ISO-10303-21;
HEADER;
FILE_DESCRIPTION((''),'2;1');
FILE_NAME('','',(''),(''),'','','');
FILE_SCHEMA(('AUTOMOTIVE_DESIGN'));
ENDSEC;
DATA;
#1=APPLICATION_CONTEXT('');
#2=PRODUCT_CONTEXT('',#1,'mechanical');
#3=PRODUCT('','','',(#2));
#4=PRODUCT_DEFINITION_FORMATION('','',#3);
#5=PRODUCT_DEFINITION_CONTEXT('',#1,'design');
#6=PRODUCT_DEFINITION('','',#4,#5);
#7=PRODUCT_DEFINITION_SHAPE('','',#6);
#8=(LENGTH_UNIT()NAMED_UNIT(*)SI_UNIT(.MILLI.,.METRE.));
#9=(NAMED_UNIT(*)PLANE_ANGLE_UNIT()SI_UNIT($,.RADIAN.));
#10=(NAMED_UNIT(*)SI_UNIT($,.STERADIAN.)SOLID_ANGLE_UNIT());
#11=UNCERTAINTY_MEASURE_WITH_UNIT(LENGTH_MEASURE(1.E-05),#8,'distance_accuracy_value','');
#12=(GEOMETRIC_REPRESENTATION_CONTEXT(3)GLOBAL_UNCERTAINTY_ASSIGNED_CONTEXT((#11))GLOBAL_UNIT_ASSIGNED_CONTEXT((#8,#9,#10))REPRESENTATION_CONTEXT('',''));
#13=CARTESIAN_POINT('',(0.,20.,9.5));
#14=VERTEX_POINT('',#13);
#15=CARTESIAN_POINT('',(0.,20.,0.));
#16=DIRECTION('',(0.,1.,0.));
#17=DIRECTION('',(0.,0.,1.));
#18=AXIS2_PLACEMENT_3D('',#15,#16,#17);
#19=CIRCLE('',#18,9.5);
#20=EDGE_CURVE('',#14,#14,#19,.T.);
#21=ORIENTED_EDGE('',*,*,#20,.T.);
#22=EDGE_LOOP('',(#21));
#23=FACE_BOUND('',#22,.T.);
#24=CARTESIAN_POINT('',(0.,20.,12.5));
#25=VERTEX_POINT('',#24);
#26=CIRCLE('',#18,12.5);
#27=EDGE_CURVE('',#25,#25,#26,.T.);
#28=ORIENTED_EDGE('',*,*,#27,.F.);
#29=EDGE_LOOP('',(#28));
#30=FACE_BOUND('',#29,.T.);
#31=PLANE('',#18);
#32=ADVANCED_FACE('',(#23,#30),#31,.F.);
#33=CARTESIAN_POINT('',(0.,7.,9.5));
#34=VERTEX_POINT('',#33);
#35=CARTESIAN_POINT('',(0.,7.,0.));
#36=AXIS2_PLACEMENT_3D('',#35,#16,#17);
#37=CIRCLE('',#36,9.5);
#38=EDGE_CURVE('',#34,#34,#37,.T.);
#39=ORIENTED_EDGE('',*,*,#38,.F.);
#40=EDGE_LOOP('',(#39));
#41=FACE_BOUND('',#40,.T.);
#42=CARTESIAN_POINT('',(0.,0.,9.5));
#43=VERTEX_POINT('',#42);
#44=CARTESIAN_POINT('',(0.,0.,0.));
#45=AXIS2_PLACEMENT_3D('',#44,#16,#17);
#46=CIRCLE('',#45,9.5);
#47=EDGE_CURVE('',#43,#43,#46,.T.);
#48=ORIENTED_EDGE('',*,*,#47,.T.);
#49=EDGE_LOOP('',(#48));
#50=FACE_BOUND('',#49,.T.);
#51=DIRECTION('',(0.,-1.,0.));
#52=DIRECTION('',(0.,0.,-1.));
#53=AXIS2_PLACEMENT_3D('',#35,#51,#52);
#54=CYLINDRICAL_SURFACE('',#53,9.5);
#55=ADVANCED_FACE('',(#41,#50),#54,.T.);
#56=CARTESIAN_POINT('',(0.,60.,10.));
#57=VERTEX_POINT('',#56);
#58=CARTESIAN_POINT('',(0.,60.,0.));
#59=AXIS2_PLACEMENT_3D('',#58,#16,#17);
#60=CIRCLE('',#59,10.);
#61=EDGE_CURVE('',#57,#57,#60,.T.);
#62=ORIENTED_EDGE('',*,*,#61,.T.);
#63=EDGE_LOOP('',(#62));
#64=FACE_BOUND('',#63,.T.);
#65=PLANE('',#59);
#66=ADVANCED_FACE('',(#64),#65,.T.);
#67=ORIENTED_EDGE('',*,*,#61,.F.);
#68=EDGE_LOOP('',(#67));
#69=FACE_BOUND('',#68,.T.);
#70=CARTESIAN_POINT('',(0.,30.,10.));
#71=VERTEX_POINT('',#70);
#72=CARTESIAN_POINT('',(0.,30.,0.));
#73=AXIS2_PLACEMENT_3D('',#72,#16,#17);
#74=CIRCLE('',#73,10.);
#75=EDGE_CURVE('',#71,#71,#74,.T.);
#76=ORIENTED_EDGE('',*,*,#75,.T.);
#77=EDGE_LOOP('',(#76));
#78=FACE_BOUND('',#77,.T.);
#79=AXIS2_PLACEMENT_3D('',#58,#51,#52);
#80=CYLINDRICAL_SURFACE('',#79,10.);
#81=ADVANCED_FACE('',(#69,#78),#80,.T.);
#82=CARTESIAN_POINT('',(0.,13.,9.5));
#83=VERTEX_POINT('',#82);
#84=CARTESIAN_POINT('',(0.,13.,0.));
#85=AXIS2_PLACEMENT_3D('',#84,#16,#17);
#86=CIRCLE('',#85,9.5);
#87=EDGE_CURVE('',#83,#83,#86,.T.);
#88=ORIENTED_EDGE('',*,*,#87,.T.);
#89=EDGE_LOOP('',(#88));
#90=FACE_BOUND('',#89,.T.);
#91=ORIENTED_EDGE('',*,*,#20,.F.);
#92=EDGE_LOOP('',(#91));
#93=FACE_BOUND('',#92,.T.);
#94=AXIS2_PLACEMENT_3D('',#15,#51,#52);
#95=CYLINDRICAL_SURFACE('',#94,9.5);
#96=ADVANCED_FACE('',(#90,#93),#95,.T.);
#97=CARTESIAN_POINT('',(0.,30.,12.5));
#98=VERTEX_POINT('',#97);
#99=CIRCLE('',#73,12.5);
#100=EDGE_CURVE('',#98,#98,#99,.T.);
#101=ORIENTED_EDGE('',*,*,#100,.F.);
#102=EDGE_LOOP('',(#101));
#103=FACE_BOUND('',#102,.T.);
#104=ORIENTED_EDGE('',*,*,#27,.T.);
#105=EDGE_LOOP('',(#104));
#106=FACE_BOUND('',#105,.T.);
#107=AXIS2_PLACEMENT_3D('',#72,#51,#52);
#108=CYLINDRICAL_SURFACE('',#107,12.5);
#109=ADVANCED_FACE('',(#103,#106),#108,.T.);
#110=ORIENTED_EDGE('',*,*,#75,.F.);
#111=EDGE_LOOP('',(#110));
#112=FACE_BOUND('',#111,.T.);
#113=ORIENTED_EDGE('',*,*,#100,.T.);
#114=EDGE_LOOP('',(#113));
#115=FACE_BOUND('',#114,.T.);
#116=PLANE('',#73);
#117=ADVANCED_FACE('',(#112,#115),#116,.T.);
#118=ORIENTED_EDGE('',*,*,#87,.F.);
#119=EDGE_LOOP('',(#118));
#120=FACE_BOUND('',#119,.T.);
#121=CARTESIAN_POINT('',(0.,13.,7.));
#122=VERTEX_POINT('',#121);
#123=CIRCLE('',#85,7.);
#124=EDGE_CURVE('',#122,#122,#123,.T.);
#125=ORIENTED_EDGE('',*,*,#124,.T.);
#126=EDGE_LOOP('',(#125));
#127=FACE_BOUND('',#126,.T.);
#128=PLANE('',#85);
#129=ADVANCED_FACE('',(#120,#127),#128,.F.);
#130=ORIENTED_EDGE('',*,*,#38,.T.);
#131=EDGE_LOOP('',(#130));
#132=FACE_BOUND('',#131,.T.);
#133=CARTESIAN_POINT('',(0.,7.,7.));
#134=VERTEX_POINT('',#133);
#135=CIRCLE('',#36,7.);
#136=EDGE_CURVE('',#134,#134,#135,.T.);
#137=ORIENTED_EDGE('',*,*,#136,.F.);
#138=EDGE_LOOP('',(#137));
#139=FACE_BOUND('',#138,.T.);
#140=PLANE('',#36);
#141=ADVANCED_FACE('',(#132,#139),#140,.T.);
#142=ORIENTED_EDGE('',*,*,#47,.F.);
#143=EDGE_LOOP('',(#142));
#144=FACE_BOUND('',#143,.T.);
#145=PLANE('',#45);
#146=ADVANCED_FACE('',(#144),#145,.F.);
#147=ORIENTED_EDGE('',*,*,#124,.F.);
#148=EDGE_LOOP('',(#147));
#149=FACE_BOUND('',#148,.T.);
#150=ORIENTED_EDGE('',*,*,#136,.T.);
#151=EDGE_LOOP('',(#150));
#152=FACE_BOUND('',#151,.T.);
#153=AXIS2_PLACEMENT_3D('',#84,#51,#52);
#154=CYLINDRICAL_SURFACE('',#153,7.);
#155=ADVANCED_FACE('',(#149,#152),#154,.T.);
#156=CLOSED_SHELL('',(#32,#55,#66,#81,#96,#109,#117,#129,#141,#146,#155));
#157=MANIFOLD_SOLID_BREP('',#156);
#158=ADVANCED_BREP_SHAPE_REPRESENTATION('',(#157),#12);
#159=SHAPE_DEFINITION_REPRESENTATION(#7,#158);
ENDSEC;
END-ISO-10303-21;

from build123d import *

# Parameters (mm, degrees)
SKETCH_1_R      = 9.5
EXTRUDE_1_DEPTH = 7
EXTRUDE_START   = 7
SKETCH_2_R      = 7
EXTRUDE_2_DEPTH = 6
EXTRUDE_START_2 = 13
SKETCH_3_R      = 9.5
EXTRUDE_3_DEPTH = 7
EXTRUDE_START_3 = 20
SKETCH_4_R      = 12.5
EXTRUDE_4_DEPTH = 10
EXTRUDE_START_4 = 30
SKETCH_5_R      = 10
EXTRUDE_5_DEPTH = 30


with BuildPart() as part:
    # 草图1 → 凸台-拉伸1 (new body)
    with BuildSketch(Plane(origin=(0, 0, 0), x_dir=(1, 0, 0), z_dir=(0, 1, 0))):
        with Locations(Location((0, 0, 0), (0, 0, 270))):
            Circle(SKETCH_1_R)
    extrude(amount=EXTRUDE_1_DEPTH)

    # 草图2 → 凸台-拉伸2 (add)
    with BuildSketch(Plane(origin=(0, 0, 0), x_dir=(1, 0, 0), z_dir=(0, 1, 0)).offset(EXTRUDE_START)):
        with Locations(Location((0, 0, 0), (0, 0, 270))):
            Circle(SKETCH_2_R)
    extrude(amount=EXTRUDE_2_DEPTH)

    # 草图3 → 凸台-拉伸3 (add)
    with BuildSketch(Plane(origin=(0, 0, 0), x_dir=(1, 0, 0), z_dir=(0, 1, 0)).offset(EXTRUDE_START_2)):
        with Locations(Location((0, 0, 0), (0, 0, 270))):
            Circle(SKETCH_3_R)
    extrude(amount=EXTRUDE_3_DEPTH)

    # 草图4 → 凸台-拉伸4 (add)
    with BuildSketch(Plane(origin=(0, 0, 0), x_dir=(1, 0, 0), z_dir=(0, 1, 0)).offset(EXTRUDE_START_3)):
        with Locations(Location((0, 0, 0), (0, 0, 270))):
            Circle(SKETCH_4_R)
    extrude(amount=EXTRUDE_4_DEPTH)

    # 草图5 → 凸台-拉伸5 (add)
    with BuildSketch(Plane(origin=(0, 0, 0), x_dir=(1, 0, 0), z_dir=(0, 1, 0)).offset(EXTRUDE_START_4)):
        with Locations(Location((0, 0, 0), (0, 0, 270))):
            Circle(SKETCH_5_R)
    extrude(amount=EXTRUDE_5_DEPTH)


solid = part.part
